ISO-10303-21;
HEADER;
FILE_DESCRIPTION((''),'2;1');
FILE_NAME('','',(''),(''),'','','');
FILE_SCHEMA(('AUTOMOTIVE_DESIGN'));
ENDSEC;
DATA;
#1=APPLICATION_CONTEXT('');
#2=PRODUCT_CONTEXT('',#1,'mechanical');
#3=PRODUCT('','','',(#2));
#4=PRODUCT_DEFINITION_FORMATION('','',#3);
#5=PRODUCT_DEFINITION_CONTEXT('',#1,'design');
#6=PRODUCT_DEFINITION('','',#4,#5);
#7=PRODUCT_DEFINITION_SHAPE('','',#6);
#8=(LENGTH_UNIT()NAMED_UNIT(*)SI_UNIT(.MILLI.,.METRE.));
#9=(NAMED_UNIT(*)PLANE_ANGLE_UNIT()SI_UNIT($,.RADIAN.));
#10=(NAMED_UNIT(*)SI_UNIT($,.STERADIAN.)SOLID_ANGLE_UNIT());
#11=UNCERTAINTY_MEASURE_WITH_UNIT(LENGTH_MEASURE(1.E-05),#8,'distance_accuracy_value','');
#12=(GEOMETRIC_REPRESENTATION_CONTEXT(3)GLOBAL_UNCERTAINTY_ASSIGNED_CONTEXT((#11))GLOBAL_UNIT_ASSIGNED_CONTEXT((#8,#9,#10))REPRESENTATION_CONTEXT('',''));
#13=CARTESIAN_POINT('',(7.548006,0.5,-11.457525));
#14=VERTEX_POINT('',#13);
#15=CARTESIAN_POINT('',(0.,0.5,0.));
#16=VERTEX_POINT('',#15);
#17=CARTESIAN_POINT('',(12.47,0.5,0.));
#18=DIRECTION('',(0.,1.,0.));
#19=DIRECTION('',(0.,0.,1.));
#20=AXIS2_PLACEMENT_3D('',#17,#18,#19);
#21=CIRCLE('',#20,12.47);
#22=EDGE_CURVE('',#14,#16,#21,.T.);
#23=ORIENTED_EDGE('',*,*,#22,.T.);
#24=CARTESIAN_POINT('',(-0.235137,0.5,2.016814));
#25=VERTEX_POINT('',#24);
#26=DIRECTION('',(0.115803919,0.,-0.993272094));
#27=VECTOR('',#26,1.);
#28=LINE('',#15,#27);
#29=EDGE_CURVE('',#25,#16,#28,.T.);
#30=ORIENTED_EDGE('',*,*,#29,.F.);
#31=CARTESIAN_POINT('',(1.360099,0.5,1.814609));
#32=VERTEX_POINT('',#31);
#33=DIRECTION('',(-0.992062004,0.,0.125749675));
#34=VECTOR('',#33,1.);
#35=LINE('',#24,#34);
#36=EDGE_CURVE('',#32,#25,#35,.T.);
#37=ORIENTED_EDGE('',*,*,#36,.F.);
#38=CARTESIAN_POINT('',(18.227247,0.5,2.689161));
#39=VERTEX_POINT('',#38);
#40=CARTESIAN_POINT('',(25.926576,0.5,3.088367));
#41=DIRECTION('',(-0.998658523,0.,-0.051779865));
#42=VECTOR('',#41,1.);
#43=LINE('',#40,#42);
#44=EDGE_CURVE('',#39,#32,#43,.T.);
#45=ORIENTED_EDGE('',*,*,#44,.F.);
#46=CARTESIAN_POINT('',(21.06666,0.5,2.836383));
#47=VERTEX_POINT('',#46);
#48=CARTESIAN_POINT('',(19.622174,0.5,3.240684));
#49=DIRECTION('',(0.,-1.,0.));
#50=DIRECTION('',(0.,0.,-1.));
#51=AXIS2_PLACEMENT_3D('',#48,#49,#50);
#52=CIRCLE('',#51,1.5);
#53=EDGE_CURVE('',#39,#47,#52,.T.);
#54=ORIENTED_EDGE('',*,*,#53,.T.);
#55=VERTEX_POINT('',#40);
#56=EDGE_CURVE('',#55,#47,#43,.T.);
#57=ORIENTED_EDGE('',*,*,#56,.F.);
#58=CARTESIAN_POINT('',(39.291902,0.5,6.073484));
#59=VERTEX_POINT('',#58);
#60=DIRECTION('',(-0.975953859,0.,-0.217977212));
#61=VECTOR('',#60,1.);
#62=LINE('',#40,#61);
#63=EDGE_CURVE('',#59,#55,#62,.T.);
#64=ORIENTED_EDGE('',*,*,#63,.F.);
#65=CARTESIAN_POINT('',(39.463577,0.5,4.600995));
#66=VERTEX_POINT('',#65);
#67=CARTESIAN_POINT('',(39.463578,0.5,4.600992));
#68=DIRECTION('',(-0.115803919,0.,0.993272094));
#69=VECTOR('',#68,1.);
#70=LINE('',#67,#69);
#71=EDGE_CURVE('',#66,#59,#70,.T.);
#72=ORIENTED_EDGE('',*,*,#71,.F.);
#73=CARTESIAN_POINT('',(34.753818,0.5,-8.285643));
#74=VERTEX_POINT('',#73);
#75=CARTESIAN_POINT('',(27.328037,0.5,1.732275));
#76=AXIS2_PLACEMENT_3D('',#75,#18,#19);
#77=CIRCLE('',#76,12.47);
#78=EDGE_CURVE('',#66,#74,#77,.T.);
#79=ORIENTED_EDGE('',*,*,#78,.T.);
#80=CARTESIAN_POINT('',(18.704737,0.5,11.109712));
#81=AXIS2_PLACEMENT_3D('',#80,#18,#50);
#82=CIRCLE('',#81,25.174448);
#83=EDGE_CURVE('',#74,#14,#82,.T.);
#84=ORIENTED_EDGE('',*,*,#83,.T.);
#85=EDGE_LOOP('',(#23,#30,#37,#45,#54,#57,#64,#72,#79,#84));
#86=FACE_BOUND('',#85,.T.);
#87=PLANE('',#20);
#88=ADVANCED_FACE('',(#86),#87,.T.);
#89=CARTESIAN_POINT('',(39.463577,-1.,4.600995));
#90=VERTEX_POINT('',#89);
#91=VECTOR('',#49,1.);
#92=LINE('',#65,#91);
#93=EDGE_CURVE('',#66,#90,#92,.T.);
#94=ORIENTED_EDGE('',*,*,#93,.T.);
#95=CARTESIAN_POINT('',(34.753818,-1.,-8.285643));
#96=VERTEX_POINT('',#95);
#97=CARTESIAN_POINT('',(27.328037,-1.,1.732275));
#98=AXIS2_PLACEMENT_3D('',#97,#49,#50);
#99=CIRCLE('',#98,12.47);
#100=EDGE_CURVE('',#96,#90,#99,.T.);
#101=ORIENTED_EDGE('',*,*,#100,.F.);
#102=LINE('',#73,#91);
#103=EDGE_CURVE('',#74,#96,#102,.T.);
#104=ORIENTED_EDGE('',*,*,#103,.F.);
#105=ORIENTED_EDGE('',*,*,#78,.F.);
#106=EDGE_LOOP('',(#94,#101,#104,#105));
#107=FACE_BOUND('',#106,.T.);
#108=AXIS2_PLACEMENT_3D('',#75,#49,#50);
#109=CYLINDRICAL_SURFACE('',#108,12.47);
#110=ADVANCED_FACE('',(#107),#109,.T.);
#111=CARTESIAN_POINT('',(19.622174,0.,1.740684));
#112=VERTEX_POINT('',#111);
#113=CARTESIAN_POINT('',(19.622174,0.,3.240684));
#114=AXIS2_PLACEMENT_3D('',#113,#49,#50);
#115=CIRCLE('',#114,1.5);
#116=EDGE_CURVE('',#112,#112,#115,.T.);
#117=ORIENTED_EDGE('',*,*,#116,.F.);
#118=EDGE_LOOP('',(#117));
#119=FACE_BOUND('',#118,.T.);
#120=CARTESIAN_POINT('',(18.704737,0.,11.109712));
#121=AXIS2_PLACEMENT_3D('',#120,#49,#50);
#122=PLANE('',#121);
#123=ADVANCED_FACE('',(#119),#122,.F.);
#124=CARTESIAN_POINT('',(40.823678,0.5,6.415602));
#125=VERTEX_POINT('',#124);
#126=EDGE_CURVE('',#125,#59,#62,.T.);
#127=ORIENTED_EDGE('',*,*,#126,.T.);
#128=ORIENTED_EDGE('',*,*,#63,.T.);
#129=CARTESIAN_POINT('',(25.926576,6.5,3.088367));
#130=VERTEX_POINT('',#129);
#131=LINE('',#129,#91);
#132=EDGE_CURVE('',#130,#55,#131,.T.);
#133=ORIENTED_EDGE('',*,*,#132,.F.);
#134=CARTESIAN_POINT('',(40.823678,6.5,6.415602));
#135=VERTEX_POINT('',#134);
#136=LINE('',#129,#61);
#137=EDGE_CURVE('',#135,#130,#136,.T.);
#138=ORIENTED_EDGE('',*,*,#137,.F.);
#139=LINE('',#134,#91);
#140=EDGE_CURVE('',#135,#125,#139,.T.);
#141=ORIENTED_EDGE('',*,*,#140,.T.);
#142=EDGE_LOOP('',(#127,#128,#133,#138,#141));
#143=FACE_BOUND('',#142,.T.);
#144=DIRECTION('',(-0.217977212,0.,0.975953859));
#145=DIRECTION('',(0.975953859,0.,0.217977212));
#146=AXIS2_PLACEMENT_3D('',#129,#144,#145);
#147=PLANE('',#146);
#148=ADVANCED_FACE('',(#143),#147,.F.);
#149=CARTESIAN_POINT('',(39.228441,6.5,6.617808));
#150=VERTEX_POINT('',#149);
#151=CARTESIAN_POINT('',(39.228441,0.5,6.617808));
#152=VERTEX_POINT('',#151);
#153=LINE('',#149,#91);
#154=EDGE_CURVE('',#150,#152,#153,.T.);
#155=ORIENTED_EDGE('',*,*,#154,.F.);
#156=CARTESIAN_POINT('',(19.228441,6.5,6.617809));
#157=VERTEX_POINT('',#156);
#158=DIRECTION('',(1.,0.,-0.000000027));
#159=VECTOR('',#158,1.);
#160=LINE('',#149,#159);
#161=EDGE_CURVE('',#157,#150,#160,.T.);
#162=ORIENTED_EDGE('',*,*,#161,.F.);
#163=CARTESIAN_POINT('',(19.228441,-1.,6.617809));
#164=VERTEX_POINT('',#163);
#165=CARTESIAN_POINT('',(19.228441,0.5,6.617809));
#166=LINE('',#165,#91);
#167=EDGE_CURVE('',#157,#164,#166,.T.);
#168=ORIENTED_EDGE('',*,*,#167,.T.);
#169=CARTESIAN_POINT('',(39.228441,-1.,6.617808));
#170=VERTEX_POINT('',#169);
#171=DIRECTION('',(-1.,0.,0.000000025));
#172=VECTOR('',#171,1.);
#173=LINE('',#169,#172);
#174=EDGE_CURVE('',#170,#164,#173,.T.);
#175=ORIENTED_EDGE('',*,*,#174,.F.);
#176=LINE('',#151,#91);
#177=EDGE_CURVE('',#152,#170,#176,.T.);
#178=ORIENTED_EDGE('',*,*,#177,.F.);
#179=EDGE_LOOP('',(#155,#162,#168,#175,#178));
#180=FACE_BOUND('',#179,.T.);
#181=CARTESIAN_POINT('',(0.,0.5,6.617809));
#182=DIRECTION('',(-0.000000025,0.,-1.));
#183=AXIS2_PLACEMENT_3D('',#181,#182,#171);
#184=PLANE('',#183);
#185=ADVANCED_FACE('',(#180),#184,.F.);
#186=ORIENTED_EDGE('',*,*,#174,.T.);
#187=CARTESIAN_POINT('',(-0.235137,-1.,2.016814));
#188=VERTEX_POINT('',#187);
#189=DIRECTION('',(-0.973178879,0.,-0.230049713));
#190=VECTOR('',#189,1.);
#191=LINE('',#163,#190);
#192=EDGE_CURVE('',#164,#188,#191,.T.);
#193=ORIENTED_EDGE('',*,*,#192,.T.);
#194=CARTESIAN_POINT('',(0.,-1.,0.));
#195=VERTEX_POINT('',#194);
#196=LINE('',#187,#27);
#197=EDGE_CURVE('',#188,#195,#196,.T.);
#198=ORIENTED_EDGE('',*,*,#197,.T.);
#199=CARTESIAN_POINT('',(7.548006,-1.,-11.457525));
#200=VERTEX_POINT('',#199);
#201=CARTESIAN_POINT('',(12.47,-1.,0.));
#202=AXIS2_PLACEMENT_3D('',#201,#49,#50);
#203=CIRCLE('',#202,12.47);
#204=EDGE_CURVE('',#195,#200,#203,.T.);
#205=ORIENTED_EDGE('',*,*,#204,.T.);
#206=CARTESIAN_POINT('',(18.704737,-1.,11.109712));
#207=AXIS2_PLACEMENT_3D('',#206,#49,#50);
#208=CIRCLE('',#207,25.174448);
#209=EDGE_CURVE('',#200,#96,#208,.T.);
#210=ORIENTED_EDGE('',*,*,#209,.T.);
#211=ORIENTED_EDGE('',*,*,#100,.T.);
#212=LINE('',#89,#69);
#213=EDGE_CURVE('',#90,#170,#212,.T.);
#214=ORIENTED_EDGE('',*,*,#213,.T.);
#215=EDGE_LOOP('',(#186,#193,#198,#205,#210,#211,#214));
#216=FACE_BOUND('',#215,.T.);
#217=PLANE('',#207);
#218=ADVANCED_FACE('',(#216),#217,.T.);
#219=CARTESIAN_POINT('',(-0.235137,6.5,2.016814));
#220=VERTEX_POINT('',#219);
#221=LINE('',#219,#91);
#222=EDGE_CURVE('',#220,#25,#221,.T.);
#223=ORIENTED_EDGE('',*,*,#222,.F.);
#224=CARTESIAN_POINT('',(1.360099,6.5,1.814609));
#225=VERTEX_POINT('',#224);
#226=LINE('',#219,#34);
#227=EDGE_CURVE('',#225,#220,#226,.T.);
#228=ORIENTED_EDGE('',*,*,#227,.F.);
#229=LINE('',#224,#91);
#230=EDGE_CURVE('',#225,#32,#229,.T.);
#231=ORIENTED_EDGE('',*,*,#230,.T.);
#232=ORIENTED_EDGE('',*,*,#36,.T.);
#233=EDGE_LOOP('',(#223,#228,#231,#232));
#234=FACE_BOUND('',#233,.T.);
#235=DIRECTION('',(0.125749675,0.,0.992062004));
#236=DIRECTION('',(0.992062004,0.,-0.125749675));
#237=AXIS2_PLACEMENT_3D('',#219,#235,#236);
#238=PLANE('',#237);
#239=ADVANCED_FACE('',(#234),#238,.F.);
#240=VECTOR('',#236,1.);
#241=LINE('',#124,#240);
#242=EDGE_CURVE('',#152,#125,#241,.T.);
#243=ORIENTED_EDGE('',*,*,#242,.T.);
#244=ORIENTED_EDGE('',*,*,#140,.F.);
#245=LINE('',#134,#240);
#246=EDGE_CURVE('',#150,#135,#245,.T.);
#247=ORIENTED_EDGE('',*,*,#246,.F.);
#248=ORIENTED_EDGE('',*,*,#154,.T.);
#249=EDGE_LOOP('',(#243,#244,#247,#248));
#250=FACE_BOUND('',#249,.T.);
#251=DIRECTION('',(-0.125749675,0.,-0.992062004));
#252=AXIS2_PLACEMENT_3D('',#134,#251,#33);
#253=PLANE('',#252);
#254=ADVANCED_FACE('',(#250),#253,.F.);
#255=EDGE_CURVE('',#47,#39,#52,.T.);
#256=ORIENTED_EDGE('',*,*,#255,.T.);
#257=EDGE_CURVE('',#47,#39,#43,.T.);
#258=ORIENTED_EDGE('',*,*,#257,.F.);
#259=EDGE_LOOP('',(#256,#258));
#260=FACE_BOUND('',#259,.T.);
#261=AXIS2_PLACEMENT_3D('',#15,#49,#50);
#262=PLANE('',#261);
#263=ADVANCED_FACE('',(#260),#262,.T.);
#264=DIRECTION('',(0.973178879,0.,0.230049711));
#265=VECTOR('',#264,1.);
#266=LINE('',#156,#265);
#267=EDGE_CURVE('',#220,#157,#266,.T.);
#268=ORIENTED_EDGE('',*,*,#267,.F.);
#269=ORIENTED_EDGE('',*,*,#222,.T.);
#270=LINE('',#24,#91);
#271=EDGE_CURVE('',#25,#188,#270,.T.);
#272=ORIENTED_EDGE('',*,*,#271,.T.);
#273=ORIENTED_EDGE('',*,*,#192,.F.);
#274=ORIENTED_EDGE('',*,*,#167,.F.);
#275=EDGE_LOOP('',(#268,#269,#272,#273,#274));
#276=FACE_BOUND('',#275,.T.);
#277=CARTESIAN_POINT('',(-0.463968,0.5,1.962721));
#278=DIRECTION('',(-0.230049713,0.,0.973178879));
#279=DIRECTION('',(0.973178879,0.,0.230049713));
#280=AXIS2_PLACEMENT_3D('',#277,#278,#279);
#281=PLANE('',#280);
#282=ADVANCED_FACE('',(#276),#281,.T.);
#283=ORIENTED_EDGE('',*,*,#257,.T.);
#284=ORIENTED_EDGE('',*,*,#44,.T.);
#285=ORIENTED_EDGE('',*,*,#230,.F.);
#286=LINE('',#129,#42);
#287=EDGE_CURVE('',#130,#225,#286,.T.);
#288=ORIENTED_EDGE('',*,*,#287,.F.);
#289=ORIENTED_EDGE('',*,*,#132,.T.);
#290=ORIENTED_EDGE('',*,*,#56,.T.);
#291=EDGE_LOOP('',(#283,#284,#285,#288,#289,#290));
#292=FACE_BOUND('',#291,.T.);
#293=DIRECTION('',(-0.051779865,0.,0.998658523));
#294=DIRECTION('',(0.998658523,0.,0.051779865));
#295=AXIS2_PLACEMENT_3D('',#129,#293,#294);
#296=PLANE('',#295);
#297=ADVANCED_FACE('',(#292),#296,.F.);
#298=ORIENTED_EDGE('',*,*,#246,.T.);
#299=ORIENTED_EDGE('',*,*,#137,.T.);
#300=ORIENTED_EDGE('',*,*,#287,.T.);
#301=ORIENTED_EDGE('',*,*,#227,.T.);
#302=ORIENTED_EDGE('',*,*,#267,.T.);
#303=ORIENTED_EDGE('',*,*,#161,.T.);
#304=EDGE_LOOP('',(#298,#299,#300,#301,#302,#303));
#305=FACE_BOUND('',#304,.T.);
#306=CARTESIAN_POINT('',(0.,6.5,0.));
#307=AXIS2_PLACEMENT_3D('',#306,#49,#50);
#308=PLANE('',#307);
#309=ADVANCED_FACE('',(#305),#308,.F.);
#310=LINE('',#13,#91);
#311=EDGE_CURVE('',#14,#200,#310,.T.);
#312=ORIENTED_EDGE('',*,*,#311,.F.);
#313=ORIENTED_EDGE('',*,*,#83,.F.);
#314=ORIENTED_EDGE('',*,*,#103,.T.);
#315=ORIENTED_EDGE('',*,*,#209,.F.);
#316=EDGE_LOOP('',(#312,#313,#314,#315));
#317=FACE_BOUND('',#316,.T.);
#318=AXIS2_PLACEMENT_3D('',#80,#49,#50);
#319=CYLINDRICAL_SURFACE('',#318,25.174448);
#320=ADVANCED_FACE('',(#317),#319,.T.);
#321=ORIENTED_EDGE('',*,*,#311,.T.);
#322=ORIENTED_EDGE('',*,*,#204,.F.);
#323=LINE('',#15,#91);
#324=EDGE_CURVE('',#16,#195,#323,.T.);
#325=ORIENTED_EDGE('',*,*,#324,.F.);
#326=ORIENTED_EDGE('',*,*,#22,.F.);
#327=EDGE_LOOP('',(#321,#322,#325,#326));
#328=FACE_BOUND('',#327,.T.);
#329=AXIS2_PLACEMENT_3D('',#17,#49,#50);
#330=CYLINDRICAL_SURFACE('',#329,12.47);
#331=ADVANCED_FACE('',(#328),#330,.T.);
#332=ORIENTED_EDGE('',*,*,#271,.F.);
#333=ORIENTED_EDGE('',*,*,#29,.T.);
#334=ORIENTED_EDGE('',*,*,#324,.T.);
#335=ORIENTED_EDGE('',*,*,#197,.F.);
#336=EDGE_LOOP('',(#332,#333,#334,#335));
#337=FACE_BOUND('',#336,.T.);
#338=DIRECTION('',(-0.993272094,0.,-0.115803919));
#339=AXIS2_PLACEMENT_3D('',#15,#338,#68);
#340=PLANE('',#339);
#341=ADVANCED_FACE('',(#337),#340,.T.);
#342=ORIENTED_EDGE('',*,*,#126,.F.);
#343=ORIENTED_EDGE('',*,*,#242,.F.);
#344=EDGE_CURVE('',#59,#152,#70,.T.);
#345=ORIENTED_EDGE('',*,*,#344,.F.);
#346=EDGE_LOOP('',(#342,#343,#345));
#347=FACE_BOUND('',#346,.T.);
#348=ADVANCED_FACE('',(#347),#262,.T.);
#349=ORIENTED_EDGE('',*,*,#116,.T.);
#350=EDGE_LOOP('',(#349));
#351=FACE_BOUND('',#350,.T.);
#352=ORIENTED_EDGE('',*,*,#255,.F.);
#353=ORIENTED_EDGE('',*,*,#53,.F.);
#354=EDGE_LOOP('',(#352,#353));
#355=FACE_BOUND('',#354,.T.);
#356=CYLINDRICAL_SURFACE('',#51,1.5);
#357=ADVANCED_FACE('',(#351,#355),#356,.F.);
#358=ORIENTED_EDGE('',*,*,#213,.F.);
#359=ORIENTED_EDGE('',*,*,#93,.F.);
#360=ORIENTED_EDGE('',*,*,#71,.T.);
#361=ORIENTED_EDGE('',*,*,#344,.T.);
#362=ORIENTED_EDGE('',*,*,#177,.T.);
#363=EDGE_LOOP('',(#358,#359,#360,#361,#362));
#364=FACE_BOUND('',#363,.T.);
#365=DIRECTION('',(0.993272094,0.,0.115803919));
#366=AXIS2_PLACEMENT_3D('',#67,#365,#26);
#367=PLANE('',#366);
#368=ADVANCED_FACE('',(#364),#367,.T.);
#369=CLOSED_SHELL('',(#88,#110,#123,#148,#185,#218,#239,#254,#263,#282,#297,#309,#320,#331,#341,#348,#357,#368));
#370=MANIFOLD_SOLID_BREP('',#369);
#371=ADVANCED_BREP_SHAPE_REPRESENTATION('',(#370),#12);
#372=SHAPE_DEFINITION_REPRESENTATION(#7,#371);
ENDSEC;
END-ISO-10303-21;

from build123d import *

# Parameters (mm, degrees)
SALIENTE_EXTRUIR2_DEPTH = 0.5
CORTAR_EXTRUIR1_DEPTH   = 0.5
CROQUIS10_R             = 1.5
SALIENTE_EXTRUIR5_DEPTH = 0.5
SALIENTE_EXTRUIR6_DEPTH = 6
SALIENTE_EXTRUIR8_DEPTH = 1


with BuildPart() as part:
    # Croquis2 → Saliente-Extruir2 (new body)
    with BuildSketch(Plane(origin=(0, 0, 0), x_dir=(1, 0, 0), z_dir=(0, 1, 0))):
        with BuildLine():
            Line((0, 0), (20, 0))
            Line((20, 0), (39.463577456, -4.600994744))
            ThreePointArc((39.463577456, -4.600994744), (39.040324802, 2.548287638), (34.753818463, 8.285642846))
            ThreePointArc((34.753818463, 8.285642846), (21.620038065, 13.895364206), (7.548005539, 11.457524625))
            ThreePointArc((7.548005539, 11.457524625), (2.056591074, 6.860161407), (0, 0))
        make_face()
    extrude(amount=SALIENTE_EXTRUIR2_DEPTH)

    # Croquis3 → Cortar-Extruir1 (cut)
    with BuildSketch(Plane(origin=(0, 0.5, 0), x_dir=(1, 0, 0), z_dir=(0, 1, 0))):
        with BuildLine():
            Line((20, 0), (16.5, 0))
            ThreePointArc((16.5, 0), (20.143291885, 1.229040833), (23.406126055, -0.80517408))
            Line((23.406126055, -0.80517408), (20, 0))
        make_face()
    extrude(amount=-CORTAR_EXTRUIR1_DEPTH, mode=Mode.SUBTRACT)

    # Croquis10 → Saliente-Extruir5 (add)
    with BuildSketch(Plane.XZ):
        Polygon((19.228440578, 6.617808668), (-0.235136993, 2.016814414), (0, 0), (19.62217394, -4.124844283), (39.463577456, 4.600994744), (39.228440578, 6.617808164), align=None)
        with Locations((19.622174052, 3.240683566)):
            Circle(CROQUIS10_R, mode=Mode.SUBTRACT)
    extrude(amount=-SALIENTE_EXTRUIR5_DEPTH)

    # Croquis11 → Saliente-Extruir6 (add)
    with BuildSketch(Plane(origin=(0, 0.5, 0), x_dir=(1, 0, 0), z_dir=(0, 1, 0))):
        Polygon((25.926575996, -3.088366571), (1.36009864, -1.814608984), (-0.235136987, -2.016814452), (19.228440593, -6.617808669), (39.228440593, -6.617808128), (40.823677784, -6.415602462), align=None)
    extrude(amount=SALIENTE_EXTRUIR6_DEPTH)

    # Croquis14 → Saliente-Extruir8 (add)
    with BuildSketch(Plane.XZ):
        with BuildLine():
            Line((39.463577456, 4.600994744), (39.228440578, 6.617808164))
            Line((39.228440578, 6.617808164), (19.228440578, 6.617808668))
            Line((19.228440578, 6.617808668), (-0.235136993, 2.016814414))
            Line((-0.235136993, 2.016814414), (0, 0))
            ThreePointArc((0, 0), (2.056591074, -6.860161407), (7.548005539, -11.457524625))
            ThreePointArc((7.548005539, -11.457524625), (21.620038065, -13.895364206), (34.753818463, -8.285642846))
            ThreePointArc((34.753818463, -8.285642846), (39.040324802, -2.548287638), (39.463577456, 4.600994744))
        make_face()
    extrude(amount=SALIENTE_EXTRUIR8_DEPTH)


solid = part.part
